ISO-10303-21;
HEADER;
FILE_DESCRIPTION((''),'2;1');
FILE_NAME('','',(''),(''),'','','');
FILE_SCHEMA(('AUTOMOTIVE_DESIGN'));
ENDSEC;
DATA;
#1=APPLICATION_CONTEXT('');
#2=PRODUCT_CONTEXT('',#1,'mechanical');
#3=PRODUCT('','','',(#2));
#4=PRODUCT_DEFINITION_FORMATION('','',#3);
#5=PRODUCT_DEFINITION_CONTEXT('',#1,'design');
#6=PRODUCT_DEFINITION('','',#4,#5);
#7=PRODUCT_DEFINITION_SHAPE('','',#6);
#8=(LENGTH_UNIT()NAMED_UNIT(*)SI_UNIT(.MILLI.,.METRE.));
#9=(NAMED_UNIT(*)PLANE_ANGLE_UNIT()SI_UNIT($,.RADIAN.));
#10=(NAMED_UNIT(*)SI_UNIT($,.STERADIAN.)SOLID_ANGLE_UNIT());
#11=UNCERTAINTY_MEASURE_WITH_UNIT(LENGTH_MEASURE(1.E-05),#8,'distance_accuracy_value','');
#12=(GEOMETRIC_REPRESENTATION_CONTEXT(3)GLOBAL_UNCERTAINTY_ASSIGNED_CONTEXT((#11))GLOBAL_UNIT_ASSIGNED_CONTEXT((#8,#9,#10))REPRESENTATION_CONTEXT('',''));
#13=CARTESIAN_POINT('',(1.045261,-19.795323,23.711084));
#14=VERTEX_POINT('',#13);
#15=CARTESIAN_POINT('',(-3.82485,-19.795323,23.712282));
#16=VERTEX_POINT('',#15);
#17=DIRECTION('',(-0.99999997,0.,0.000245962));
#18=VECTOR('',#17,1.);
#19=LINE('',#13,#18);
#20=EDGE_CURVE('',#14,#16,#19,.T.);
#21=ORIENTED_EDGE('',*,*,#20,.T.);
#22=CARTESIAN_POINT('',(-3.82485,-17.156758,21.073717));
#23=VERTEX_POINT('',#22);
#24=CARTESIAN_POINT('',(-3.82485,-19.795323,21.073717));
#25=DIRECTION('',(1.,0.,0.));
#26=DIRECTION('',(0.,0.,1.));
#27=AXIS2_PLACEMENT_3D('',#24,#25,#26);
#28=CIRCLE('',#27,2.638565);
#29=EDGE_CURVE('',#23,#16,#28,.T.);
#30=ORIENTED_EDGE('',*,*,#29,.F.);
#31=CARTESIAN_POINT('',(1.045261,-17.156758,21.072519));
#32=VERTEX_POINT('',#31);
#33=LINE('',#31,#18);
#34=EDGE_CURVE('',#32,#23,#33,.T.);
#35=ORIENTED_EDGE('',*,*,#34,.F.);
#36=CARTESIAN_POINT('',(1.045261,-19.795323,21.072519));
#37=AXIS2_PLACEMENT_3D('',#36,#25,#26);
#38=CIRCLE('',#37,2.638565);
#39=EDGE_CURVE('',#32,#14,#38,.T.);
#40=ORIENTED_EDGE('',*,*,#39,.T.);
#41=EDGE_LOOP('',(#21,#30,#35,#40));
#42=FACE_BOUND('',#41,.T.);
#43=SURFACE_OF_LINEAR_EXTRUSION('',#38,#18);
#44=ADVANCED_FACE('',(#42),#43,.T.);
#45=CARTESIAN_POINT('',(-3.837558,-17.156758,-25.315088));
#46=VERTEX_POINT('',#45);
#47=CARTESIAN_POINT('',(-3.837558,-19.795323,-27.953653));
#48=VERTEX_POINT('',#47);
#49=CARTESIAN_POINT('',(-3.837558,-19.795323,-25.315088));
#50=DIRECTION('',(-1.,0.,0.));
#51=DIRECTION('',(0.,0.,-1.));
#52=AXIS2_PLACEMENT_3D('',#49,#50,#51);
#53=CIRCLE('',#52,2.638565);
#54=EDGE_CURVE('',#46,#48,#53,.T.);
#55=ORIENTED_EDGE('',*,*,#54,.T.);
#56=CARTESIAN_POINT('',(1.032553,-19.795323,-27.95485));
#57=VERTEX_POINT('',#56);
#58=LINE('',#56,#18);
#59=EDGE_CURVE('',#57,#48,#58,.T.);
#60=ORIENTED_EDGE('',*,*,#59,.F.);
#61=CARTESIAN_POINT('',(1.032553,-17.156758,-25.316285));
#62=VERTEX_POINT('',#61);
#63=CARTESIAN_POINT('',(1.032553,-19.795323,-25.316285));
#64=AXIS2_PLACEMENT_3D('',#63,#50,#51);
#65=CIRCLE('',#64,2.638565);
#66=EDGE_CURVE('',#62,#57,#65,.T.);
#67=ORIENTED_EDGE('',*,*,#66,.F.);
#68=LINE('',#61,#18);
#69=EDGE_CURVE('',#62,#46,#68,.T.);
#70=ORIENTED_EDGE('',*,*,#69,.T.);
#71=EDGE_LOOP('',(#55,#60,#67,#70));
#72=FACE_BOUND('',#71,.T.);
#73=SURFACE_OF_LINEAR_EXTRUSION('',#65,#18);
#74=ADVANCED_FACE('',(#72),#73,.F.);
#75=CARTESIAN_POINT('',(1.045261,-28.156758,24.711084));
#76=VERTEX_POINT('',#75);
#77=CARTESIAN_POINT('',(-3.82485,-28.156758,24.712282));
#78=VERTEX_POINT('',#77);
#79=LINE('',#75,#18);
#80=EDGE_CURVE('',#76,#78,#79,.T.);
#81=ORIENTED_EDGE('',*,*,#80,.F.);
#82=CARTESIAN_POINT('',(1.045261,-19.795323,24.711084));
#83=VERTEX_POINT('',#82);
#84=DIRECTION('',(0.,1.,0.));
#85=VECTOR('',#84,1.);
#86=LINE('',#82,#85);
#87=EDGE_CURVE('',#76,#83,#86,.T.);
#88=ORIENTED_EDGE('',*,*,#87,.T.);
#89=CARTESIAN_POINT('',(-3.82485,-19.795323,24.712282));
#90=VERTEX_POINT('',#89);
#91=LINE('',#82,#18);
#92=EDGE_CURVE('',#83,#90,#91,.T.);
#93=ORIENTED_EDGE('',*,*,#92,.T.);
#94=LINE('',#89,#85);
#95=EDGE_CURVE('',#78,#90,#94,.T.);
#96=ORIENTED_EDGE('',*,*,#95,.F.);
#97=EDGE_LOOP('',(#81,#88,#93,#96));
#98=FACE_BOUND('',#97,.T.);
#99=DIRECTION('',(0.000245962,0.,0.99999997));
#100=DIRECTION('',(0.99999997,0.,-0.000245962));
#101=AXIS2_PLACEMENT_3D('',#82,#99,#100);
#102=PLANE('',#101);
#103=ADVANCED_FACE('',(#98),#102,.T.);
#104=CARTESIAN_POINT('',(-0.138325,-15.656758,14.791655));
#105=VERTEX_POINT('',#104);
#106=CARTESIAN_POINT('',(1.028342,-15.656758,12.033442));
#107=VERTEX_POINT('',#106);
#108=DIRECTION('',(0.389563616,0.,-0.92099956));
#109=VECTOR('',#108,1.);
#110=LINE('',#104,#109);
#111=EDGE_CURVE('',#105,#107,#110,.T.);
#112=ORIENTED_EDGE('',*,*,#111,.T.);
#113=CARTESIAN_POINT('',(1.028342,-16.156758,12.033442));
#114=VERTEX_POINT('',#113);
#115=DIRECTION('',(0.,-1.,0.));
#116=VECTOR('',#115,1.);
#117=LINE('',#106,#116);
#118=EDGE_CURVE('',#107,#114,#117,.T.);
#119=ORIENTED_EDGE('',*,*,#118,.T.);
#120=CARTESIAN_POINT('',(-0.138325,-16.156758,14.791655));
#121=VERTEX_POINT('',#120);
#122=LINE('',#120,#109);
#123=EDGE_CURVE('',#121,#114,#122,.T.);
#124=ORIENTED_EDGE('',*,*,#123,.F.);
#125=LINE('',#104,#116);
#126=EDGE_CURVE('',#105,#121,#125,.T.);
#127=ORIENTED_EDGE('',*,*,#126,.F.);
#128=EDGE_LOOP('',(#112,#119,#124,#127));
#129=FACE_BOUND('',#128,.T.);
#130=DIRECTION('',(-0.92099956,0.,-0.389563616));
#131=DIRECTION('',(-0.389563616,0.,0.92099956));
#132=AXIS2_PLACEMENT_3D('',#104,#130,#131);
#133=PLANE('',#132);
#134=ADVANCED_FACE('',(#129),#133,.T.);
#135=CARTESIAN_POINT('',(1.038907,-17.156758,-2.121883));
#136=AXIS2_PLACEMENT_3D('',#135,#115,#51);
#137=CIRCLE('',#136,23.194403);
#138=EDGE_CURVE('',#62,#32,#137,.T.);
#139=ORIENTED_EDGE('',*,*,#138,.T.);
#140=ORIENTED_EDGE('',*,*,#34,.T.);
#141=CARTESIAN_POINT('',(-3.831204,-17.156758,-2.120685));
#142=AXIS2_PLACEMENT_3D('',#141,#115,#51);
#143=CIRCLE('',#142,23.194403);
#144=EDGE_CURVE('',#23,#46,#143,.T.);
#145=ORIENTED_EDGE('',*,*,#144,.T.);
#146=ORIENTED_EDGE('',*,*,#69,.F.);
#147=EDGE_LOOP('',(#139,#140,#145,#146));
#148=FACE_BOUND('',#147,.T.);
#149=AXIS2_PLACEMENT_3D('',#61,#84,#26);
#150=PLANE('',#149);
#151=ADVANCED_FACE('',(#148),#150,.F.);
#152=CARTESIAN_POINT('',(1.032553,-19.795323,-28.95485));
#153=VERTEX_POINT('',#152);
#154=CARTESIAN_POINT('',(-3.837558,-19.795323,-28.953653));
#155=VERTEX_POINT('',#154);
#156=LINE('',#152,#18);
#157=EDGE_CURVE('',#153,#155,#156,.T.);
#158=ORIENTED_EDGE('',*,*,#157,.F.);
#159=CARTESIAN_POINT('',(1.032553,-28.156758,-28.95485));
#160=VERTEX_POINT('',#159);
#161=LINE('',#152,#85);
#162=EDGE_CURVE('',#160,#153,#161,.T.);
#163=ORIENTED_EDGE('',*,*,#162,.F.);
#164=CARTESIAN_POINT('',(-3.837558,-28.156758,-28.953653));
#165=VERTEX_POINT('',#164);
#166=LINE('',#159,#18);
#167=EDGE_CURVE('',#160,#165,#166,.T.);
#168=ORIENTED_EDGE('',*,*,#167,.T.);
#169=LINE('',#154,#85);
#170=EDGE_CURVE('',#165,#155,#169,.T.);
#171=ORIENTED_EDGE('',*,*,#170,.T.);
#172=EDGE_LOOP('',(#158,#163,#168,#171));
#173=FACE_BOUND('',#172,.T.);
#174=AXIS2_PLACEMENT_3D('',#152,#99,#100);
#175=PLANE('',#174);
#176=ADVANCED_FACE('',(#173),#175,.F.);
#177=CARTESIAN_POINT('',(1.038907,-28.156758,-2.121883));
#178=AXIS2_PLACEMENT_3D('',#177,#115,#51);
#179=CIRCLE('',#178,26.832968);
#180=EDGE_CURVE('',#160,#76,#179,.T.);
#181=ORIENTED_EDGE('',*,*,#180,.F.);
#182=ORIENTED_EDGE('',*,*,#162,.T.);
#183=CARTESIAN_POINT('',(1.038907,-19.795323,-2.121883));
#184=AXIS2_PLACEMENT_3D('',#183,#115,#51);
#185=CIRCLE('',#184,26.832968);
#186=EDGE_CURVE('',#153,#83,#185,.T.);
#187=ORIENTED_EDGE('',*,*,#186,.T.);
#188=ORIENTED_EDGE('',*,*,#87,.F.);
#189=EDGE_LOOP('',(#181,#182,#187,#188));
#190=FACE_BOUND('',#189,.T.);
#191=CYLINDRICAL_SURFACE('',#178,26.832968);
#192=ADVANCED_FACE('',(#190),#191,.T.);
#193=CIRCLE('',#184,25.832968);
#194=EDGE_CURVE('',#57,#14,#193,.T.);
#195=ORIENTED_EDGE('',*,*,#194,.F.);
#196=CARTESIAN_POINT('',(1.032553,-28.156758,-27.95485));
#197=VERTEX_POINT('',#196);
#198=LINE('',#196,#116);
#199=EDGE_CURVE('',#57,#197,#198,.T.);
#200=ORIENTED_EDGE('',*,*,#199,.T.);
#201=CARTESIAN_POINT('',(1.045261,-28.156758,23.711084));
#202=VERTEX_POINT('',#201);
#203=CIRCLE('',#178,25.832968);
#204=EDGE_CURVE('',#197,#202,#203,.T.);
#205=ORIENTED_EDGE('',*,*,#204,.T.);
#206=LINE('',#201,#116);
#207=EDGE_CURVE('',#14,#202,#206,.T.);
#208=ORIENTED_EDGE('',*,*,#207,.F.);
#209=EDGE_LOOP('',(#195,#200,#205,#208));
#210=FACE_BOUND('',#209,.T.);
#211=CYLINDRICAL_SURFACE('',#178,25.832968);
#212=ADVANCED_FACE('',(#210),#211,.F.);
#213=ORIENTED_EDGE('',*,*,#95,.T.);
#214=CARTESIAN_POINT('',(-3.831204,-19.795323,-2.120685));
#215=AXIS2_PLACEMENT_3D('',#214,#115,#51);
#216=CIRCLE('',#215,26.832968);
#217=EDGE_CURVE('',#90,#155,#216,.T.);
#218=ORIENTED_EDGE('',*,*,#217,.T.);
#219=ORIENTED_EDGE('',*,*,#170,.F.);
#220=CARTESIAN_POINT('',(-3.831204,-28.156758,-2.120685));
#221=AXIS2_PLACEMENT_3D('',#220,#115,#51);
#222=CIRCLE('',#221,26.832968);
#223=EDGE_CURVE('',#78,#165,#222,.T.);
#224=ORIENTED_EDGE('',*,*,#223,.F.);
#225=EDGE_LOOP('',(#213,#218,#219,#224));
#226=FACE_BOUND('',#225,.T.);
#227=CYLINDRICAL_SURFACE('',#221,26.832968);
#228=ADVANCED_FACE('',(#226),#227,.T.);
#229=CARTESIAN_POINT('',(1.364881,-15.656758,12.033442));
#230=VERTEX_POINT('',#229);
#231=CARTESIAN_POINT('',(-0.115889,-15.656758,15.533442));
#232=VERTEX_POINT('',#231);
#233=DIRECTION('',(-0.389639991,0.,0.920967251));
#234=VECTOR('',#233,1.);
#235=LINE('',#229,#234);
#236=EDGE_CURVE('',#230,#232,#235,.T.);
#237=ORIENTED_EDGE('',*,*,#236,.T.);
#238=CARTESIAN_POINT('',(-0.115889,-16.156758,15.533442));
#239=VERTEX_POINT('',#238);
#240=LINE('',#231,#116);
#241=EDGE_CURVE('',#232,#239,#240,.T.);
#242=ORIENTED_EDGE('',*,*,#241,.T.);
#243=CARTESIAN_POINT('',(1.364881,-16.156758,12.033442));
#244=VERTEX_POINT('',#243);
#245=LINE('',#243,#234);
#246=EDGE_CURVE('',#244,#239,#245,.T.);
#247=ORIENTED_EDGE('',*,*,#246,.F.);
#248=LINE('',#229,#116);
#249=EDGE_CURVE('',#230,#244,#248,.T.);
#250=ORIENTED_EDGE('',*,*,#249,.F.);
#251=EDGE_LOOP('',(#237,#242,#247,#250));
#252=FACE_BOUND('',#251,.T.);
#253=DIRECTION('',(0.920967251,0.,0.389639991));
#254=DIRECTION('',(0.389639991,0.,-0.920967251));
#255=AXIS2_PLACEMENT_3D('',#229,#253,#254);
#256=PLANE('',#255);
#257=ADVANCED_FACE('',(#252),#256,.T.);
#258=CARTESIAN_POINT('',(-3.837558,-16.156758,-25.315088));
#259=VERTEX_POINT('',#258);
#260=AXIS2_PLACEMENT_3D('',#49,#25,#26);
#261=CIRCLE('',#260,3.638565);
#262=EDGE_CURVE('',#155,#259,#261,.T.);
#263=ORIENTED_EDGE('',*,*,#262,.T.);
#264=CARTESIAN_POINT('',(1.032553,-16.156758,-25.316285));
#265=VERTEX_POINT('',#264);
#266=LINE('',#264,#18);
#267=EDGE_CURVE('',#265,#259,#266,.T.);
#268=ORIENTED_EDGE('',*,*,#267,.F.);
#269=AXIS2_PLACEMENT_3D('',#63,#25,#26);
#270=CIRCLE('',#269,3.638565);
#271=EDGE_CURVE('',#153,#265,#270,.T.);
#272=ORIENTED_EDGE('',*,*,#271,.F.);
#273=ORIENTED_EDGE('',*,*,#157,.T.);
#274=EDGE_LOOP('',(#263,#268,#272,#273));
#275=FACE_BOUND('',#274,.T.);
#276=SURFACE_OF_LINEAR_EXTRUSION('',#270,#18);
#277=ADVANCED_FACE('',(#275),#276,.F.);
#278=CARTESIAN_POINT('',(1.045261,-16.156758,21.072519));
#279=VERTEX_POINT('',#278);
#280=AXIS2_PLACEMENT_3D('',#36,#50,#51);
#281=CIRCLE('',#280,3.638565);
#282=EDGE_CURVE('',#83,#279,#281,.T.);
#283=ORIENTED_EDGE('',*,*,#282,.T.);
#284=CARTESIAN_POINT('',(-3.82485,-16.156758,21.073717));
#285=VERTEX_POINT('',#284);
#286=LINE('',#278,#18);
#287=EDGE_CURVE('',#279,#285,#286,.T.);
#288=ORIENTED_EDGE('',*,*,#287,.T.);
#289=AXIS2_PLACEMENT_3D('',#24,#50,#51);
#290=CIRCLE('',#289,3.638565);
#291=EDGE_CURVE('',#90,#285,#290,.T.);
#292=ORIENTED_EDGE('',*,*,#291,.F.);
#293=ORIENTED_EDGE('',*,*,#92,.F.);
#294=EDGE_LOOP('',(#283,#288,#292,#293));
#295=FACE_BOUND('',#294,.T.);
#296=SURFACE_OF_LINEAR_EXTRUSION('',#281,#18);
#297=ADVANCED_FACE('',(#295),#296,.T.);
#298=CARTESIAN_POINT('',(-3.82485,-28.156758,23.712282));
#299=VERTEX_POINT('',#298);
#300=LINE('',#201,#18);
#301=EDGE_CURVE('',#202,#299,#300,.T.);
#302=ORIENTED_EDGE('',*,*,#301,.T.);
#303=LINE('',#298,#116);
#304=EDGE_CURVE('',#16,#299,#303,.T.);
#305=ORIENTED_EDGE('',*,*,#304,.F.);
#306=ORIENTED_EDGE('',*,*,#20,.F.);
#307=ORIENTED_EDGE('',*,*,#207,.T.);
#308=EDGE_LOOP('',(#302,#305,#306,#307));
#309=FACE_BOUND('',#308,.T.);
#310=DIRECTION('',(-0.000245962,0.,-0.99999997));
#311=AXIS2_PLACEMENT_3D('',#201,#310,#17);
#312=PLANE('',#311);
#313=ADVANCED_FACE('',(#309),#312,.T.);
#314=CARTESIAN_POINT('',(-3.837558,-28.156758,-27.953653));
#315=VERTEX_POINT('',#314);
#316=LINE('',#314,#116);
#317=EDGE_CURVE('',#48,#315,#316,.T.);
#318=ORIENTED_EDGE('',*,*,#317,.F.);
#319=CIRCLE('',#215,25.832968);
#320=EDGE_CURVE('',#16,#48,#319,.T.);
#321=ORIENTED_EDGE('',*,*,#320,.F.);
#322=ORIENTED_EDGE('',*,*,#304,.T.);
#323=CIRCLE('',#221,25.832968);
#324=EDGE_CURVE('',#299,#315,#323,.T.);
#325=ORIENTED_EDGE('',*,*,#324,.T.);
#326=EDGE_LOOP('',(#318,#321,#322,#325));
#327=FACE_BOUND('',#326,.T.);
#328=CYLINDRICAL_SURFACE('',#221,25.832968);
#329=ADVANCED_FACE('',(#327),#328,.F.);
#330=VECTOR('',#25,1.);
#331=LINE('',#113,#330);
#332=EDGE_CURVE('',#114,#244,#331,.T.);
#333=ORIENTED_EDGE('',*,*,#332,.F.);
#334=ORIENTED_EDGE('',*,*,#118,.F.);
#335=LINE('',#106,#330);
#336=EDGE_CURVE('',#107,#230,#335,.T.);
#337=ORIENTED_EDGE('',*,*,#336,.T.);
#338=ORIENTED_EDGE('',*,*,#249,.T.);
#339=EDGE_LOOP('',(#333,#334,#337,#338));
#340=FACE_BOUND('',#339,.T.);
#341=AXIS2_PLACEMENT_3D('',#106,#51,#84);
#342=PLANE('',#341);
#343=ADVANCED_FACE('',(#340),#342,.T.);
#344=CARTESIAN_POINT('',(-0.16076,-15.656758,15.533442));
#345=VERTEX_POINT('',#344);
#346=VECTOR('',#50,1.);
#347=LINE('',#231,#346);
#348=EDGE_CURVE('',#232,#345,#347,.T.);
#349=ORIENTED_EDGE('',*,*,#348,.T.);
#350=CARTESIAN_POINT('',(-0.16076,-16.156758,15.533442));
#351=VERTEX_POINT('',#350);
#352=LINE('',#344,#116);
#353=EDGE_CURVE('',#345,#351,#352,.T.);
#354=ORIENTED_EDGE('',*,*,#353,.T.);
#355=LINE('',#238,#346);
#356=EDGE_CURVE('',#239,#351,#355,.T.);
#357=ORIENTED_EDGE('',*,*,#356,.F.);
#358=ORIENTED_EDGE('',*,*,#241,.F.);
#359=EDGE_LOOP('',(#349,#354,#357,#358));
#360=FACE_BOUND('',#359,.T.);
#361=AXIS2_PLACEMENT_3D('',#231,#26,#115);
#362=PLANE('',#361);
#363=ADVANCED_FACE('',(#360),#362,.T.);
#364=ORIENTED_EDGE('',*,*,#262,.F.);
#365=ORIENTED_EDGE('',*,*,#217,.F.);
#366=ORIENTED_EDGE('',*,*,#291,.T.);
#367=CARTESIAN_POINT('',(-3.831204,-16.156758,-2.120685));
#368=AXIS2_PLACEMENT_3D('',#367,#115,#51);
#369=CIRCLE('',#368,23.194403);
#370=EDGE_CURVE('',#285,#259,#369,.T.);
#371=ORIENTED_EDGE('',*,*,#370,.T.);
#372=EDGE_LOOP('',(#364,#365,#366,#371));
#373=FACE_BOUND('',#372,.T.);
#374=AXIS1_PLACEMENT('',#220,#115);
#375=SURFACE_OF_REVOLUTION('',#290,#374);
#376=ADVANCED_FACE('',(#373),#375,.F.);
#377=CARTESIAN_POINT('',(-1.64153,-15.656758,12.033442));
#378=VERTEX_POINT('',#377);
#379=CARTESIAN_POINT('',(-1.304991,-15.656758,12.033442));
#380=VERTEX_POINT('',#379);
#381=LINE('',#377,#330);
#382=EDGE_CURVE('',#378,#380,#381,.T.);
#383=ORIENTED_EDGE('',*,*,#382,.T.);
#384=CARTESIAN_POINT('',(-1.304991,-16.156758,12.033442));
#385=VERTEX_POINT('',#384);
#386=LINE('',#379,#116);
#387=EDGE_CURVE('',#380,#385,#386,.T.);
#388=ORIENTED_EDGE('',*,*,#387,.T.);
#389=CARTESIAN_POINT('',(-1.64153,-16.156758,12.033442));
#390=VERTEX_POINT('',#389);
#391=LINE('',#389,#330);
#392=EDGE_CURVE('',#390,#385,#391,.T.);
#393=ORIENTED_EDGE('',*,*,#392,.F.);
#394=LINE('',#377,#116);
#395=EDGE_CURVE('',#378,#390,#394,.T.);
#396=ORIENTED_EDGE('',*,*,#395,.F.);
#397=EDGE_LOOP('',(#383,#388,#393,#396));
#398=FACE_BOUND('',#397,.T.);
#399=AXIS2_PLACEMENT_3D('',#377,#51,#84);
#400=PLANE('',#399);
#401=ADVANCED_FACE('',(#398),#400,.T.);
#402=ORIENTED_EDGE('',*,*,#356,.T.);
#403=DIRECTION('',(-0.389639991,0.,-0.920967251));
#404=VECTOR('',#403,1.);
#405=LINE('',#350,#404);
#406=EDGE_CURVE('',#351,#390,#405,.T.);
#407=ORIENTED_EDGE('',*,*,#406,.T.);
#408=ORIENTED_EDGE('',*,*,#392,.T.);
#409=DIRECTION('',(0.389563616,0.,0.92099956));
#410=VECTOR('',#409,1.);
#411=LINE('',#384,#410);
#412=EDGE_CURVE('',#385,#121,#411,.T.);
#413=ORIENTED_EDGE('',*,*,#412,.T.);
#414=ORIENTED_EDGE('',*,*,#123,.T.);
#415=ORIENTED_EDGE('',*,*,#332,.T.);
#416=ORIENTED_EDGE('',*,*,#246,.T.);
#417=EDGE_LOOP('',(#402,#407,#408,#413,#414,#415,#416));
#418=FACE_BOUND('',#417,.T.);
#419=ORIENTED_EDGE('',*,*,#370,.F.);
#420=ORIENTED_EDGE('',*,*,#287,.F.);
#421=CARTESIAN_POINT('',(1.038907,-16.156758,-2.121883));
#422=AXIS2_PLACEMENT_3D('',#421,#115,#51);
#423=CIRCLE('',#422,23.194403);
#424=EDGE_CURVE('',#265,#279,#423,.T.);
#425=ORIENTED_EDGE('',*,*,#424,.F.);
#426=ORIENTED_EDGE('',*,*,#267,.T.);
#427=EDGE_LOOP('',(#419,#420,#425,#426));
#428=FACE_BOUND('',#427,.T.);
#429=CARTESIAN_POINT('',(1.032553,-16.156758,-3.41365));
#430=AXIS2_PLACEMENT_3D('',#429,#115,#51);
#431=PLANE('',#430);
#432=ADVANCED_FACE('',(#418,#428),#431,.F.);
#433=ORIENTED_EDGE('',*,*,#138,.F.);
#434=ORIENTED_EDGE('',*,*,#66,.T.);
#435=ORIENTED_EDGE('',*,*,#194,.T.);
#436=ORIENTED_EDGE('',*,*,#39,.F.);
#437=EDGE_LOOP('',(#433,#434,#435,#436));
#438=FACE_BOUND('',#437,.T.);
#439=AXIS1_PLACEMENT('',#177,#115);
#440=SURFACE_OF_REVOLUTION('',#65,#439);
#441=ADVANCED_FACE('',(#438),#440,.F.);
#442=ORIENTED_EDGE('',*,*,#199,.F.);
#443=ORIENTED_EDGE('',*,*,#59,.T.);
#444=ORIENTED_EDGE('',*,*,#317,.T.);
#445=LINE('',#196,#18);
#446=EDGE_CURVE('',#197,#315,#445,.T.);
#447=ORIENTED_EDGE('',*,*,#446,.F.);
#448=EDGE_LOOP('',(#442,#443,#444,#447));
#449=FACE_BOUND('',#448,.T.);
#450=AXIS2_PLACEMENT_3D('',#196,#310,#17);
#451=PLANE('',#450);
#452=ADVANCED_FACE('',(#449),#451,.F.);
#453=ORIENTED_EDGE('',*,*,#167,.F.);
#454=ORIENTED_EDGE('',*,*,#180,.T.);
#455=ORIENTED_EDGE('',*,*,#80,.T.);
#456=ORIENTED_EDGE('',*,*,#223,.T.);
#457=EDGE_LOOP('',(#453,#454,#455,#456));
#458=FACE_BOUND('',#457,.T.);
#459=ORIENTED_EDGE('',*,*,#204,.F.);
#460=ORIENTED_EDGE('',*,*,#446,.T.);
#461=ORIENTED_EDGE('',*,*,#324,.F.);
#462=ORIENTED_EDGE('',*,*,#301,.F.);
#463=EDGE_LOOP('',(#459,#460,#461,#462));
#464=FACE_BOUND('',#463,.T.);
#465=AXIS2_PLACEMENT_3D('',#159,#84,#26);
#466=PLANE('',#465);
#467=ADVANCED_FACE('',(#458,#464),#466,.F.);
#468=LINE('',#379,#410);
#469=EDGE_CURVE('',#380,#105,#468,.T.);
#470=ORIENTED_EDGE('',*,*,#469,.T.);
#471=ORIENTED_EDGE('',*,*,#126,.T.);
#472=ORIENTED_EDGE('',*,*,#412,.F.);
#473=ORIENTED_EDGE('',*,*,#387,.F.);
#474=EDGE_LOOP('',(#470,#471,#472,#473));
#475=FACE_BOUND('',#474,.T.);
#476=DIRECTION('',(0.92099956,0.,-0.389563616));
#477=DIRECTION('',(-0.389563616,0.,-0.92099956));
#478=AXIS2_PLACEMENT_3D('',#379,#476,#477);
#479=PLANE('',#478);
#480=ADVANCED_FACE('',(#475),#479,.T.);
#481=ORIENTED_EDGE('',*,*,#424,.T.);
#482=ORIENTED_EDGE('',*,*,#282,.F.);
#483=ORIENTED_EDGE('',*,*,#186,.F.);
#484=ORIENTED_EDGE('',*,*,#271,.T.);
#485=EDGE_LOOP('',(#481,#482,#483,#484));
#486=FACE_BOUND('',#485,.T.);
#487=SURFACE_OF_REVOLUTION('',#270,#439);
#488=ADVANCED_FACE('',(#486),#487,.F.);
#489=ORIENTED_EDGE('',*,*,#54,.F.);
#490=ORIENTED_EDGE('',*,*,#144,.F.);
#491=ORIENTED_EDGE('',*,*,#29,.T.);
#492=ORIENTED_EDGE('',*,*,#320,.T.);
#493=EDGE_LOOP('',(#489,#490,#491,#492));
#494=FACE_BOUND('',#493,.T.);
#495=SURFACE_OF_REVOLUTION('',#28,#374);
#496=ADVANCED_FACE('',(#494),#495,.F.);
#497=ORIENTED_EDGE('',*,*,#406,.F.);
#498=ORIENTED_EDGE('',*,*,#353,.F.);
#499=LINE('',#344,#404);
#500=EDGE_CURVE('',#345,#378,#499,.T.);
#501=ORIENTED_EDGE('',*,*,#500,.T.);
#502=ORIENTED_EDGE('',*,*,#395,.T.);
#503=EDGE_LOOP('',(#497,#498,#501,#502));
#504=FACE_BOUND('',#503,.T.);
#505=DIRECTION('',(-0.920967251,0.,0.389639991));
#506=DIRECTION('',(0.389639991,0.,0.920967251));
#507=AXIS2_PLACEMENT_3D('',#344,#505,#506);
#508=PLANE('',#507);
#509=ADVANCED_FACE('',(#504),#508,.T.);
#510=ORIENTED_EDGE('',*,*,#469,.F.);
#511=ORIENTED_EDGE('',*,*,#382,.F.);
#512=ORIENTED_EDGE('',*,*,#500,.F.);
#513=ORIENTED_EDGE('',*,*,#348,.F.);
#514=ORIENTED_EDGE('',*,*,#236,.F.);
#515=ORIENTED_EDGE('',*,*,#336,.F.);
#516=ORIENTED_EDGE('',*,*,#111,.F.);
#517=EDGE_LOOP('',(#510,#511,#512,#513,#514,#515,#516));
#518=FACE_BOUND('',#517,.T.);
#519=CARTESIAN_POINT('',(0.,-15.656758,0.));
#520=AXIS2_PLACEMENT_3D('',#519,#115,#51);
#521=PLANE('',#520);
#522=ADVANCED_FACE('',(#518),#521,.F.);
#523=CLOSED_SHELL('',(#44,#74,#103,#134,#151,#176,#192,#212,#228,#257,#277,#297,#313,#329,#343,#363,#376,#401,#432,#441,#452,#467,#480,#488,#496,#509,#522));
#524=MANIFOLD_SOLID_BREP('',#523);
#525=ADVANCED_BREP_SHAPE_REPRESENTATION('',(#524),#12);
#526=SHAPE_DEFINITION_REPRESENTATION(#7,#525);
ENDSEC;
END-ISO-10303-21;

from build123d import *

# Parameters (mm, degrees)
SKETCH3_W                = 12.333298302
SKETCH3_H                = 1
BOSS_EXTRUDE1_DEPTH      = 4
BOSS_EXTRUDE1_DEPTH_BACK = 1
BOSS_EXTRUDE2_DEPTH      = 0.5


with BuildPart() as part:
    # Sweep1: sweep along a path in Sketch1
    with BuildLine(Plane(origin=(0, -28.156757597, 0), x_dir=(1, 0, 0), z_dir=(0, 1, 0))) as sweep1_path:
        Line((1.032552653, 27.955195416), (-3.837557561, 27.953997551))
        ThreePointArc((-3.837557561, 27.953997551), (-29.664515825, 2.114331239), (-3.824849512, -23.712627024))
        Line((-3.824849512, -23.712627024), (1.045260702, -23.71142916))
        ThreePointArc((1.045260702, -23.71142916), (26.872218965, 2.128237152), (1.032552653, 27.955195416))
    # Sketch2 → Sweep1 (sweep)
    with BuildSketch(Plane(origin=(0, 0, 0), x_dir=(0, 0, -1), z_dir=(1, 0, 0))):
        with BuildLine():
            Line((27.954596483, -28.156757597), (27.954596483, -19.795322572))
            ThreePointArc((27.954596483, -19.795322572), (27.181778695, -17.929575385), (25.316031508, -17.156757597))
            Line((25.316031508, -17.156757597), (3.413395706, -17.156757597))
            Line((3.413395706, -17.156757597), (3.413395706, -16.156757597))
            Line((3.413395706, -16.156757597), (25.316031508, -16.156757597))
            ThreePointArc((25.316031508, -16.156757597), (27.888885476, -17.222468604), (28.954596483, -19.795322572))
            Line((28.954596483, -19.795322572), (28.954596483, -28.156757597))
            Line((28.954596483, -28.156757597), (27.954596483, -28.156757597))
        make_face()
    sweep(path=sweep1_path.line)

    # Sketch3 → Boss-Extrude1 (add, two sides)
    with BuildSketch(Plane(origin=(-0.000839567, 0, -3.4133955), x_dir=(0.99999997, 0, -0.000245962), z_dir=(0.000245962, 0, 0.99999997))) as boss_extrude1_sk:
        with Locations((-1.731029698, -16.656757597)):
            Rectangle(SKETCH3_W, SKETCH3_H)
    extrude(amount=BOSS_EXTRUDE1_DEPTH)
    extrude(boss_extrude1_sk.sketch, amount=-BOSS_EXTRUDE1_DEPTH_BACK)

    # Sketch4 → Boss-Extrude2 (add)
    with BuildSketch(Plane(origin=(0, -16.156757597, 0), x_dir=(1, 0, 0), z_dir=(0, 1, 0))):
        Polygon((-1.641529651, -12.033441663), (-1.30499119, -12.033441663), (-0.138324523, -14.791654805), (1.028342144, -12.033441663), (1.364880605, -12.033441663), (-0.115888626, -15.533441663), (-0.160760421, -15.533441663), align=None)
    extrude(amount=BOSS_EXTRUDE2_DEPTH)


solid = part.part
